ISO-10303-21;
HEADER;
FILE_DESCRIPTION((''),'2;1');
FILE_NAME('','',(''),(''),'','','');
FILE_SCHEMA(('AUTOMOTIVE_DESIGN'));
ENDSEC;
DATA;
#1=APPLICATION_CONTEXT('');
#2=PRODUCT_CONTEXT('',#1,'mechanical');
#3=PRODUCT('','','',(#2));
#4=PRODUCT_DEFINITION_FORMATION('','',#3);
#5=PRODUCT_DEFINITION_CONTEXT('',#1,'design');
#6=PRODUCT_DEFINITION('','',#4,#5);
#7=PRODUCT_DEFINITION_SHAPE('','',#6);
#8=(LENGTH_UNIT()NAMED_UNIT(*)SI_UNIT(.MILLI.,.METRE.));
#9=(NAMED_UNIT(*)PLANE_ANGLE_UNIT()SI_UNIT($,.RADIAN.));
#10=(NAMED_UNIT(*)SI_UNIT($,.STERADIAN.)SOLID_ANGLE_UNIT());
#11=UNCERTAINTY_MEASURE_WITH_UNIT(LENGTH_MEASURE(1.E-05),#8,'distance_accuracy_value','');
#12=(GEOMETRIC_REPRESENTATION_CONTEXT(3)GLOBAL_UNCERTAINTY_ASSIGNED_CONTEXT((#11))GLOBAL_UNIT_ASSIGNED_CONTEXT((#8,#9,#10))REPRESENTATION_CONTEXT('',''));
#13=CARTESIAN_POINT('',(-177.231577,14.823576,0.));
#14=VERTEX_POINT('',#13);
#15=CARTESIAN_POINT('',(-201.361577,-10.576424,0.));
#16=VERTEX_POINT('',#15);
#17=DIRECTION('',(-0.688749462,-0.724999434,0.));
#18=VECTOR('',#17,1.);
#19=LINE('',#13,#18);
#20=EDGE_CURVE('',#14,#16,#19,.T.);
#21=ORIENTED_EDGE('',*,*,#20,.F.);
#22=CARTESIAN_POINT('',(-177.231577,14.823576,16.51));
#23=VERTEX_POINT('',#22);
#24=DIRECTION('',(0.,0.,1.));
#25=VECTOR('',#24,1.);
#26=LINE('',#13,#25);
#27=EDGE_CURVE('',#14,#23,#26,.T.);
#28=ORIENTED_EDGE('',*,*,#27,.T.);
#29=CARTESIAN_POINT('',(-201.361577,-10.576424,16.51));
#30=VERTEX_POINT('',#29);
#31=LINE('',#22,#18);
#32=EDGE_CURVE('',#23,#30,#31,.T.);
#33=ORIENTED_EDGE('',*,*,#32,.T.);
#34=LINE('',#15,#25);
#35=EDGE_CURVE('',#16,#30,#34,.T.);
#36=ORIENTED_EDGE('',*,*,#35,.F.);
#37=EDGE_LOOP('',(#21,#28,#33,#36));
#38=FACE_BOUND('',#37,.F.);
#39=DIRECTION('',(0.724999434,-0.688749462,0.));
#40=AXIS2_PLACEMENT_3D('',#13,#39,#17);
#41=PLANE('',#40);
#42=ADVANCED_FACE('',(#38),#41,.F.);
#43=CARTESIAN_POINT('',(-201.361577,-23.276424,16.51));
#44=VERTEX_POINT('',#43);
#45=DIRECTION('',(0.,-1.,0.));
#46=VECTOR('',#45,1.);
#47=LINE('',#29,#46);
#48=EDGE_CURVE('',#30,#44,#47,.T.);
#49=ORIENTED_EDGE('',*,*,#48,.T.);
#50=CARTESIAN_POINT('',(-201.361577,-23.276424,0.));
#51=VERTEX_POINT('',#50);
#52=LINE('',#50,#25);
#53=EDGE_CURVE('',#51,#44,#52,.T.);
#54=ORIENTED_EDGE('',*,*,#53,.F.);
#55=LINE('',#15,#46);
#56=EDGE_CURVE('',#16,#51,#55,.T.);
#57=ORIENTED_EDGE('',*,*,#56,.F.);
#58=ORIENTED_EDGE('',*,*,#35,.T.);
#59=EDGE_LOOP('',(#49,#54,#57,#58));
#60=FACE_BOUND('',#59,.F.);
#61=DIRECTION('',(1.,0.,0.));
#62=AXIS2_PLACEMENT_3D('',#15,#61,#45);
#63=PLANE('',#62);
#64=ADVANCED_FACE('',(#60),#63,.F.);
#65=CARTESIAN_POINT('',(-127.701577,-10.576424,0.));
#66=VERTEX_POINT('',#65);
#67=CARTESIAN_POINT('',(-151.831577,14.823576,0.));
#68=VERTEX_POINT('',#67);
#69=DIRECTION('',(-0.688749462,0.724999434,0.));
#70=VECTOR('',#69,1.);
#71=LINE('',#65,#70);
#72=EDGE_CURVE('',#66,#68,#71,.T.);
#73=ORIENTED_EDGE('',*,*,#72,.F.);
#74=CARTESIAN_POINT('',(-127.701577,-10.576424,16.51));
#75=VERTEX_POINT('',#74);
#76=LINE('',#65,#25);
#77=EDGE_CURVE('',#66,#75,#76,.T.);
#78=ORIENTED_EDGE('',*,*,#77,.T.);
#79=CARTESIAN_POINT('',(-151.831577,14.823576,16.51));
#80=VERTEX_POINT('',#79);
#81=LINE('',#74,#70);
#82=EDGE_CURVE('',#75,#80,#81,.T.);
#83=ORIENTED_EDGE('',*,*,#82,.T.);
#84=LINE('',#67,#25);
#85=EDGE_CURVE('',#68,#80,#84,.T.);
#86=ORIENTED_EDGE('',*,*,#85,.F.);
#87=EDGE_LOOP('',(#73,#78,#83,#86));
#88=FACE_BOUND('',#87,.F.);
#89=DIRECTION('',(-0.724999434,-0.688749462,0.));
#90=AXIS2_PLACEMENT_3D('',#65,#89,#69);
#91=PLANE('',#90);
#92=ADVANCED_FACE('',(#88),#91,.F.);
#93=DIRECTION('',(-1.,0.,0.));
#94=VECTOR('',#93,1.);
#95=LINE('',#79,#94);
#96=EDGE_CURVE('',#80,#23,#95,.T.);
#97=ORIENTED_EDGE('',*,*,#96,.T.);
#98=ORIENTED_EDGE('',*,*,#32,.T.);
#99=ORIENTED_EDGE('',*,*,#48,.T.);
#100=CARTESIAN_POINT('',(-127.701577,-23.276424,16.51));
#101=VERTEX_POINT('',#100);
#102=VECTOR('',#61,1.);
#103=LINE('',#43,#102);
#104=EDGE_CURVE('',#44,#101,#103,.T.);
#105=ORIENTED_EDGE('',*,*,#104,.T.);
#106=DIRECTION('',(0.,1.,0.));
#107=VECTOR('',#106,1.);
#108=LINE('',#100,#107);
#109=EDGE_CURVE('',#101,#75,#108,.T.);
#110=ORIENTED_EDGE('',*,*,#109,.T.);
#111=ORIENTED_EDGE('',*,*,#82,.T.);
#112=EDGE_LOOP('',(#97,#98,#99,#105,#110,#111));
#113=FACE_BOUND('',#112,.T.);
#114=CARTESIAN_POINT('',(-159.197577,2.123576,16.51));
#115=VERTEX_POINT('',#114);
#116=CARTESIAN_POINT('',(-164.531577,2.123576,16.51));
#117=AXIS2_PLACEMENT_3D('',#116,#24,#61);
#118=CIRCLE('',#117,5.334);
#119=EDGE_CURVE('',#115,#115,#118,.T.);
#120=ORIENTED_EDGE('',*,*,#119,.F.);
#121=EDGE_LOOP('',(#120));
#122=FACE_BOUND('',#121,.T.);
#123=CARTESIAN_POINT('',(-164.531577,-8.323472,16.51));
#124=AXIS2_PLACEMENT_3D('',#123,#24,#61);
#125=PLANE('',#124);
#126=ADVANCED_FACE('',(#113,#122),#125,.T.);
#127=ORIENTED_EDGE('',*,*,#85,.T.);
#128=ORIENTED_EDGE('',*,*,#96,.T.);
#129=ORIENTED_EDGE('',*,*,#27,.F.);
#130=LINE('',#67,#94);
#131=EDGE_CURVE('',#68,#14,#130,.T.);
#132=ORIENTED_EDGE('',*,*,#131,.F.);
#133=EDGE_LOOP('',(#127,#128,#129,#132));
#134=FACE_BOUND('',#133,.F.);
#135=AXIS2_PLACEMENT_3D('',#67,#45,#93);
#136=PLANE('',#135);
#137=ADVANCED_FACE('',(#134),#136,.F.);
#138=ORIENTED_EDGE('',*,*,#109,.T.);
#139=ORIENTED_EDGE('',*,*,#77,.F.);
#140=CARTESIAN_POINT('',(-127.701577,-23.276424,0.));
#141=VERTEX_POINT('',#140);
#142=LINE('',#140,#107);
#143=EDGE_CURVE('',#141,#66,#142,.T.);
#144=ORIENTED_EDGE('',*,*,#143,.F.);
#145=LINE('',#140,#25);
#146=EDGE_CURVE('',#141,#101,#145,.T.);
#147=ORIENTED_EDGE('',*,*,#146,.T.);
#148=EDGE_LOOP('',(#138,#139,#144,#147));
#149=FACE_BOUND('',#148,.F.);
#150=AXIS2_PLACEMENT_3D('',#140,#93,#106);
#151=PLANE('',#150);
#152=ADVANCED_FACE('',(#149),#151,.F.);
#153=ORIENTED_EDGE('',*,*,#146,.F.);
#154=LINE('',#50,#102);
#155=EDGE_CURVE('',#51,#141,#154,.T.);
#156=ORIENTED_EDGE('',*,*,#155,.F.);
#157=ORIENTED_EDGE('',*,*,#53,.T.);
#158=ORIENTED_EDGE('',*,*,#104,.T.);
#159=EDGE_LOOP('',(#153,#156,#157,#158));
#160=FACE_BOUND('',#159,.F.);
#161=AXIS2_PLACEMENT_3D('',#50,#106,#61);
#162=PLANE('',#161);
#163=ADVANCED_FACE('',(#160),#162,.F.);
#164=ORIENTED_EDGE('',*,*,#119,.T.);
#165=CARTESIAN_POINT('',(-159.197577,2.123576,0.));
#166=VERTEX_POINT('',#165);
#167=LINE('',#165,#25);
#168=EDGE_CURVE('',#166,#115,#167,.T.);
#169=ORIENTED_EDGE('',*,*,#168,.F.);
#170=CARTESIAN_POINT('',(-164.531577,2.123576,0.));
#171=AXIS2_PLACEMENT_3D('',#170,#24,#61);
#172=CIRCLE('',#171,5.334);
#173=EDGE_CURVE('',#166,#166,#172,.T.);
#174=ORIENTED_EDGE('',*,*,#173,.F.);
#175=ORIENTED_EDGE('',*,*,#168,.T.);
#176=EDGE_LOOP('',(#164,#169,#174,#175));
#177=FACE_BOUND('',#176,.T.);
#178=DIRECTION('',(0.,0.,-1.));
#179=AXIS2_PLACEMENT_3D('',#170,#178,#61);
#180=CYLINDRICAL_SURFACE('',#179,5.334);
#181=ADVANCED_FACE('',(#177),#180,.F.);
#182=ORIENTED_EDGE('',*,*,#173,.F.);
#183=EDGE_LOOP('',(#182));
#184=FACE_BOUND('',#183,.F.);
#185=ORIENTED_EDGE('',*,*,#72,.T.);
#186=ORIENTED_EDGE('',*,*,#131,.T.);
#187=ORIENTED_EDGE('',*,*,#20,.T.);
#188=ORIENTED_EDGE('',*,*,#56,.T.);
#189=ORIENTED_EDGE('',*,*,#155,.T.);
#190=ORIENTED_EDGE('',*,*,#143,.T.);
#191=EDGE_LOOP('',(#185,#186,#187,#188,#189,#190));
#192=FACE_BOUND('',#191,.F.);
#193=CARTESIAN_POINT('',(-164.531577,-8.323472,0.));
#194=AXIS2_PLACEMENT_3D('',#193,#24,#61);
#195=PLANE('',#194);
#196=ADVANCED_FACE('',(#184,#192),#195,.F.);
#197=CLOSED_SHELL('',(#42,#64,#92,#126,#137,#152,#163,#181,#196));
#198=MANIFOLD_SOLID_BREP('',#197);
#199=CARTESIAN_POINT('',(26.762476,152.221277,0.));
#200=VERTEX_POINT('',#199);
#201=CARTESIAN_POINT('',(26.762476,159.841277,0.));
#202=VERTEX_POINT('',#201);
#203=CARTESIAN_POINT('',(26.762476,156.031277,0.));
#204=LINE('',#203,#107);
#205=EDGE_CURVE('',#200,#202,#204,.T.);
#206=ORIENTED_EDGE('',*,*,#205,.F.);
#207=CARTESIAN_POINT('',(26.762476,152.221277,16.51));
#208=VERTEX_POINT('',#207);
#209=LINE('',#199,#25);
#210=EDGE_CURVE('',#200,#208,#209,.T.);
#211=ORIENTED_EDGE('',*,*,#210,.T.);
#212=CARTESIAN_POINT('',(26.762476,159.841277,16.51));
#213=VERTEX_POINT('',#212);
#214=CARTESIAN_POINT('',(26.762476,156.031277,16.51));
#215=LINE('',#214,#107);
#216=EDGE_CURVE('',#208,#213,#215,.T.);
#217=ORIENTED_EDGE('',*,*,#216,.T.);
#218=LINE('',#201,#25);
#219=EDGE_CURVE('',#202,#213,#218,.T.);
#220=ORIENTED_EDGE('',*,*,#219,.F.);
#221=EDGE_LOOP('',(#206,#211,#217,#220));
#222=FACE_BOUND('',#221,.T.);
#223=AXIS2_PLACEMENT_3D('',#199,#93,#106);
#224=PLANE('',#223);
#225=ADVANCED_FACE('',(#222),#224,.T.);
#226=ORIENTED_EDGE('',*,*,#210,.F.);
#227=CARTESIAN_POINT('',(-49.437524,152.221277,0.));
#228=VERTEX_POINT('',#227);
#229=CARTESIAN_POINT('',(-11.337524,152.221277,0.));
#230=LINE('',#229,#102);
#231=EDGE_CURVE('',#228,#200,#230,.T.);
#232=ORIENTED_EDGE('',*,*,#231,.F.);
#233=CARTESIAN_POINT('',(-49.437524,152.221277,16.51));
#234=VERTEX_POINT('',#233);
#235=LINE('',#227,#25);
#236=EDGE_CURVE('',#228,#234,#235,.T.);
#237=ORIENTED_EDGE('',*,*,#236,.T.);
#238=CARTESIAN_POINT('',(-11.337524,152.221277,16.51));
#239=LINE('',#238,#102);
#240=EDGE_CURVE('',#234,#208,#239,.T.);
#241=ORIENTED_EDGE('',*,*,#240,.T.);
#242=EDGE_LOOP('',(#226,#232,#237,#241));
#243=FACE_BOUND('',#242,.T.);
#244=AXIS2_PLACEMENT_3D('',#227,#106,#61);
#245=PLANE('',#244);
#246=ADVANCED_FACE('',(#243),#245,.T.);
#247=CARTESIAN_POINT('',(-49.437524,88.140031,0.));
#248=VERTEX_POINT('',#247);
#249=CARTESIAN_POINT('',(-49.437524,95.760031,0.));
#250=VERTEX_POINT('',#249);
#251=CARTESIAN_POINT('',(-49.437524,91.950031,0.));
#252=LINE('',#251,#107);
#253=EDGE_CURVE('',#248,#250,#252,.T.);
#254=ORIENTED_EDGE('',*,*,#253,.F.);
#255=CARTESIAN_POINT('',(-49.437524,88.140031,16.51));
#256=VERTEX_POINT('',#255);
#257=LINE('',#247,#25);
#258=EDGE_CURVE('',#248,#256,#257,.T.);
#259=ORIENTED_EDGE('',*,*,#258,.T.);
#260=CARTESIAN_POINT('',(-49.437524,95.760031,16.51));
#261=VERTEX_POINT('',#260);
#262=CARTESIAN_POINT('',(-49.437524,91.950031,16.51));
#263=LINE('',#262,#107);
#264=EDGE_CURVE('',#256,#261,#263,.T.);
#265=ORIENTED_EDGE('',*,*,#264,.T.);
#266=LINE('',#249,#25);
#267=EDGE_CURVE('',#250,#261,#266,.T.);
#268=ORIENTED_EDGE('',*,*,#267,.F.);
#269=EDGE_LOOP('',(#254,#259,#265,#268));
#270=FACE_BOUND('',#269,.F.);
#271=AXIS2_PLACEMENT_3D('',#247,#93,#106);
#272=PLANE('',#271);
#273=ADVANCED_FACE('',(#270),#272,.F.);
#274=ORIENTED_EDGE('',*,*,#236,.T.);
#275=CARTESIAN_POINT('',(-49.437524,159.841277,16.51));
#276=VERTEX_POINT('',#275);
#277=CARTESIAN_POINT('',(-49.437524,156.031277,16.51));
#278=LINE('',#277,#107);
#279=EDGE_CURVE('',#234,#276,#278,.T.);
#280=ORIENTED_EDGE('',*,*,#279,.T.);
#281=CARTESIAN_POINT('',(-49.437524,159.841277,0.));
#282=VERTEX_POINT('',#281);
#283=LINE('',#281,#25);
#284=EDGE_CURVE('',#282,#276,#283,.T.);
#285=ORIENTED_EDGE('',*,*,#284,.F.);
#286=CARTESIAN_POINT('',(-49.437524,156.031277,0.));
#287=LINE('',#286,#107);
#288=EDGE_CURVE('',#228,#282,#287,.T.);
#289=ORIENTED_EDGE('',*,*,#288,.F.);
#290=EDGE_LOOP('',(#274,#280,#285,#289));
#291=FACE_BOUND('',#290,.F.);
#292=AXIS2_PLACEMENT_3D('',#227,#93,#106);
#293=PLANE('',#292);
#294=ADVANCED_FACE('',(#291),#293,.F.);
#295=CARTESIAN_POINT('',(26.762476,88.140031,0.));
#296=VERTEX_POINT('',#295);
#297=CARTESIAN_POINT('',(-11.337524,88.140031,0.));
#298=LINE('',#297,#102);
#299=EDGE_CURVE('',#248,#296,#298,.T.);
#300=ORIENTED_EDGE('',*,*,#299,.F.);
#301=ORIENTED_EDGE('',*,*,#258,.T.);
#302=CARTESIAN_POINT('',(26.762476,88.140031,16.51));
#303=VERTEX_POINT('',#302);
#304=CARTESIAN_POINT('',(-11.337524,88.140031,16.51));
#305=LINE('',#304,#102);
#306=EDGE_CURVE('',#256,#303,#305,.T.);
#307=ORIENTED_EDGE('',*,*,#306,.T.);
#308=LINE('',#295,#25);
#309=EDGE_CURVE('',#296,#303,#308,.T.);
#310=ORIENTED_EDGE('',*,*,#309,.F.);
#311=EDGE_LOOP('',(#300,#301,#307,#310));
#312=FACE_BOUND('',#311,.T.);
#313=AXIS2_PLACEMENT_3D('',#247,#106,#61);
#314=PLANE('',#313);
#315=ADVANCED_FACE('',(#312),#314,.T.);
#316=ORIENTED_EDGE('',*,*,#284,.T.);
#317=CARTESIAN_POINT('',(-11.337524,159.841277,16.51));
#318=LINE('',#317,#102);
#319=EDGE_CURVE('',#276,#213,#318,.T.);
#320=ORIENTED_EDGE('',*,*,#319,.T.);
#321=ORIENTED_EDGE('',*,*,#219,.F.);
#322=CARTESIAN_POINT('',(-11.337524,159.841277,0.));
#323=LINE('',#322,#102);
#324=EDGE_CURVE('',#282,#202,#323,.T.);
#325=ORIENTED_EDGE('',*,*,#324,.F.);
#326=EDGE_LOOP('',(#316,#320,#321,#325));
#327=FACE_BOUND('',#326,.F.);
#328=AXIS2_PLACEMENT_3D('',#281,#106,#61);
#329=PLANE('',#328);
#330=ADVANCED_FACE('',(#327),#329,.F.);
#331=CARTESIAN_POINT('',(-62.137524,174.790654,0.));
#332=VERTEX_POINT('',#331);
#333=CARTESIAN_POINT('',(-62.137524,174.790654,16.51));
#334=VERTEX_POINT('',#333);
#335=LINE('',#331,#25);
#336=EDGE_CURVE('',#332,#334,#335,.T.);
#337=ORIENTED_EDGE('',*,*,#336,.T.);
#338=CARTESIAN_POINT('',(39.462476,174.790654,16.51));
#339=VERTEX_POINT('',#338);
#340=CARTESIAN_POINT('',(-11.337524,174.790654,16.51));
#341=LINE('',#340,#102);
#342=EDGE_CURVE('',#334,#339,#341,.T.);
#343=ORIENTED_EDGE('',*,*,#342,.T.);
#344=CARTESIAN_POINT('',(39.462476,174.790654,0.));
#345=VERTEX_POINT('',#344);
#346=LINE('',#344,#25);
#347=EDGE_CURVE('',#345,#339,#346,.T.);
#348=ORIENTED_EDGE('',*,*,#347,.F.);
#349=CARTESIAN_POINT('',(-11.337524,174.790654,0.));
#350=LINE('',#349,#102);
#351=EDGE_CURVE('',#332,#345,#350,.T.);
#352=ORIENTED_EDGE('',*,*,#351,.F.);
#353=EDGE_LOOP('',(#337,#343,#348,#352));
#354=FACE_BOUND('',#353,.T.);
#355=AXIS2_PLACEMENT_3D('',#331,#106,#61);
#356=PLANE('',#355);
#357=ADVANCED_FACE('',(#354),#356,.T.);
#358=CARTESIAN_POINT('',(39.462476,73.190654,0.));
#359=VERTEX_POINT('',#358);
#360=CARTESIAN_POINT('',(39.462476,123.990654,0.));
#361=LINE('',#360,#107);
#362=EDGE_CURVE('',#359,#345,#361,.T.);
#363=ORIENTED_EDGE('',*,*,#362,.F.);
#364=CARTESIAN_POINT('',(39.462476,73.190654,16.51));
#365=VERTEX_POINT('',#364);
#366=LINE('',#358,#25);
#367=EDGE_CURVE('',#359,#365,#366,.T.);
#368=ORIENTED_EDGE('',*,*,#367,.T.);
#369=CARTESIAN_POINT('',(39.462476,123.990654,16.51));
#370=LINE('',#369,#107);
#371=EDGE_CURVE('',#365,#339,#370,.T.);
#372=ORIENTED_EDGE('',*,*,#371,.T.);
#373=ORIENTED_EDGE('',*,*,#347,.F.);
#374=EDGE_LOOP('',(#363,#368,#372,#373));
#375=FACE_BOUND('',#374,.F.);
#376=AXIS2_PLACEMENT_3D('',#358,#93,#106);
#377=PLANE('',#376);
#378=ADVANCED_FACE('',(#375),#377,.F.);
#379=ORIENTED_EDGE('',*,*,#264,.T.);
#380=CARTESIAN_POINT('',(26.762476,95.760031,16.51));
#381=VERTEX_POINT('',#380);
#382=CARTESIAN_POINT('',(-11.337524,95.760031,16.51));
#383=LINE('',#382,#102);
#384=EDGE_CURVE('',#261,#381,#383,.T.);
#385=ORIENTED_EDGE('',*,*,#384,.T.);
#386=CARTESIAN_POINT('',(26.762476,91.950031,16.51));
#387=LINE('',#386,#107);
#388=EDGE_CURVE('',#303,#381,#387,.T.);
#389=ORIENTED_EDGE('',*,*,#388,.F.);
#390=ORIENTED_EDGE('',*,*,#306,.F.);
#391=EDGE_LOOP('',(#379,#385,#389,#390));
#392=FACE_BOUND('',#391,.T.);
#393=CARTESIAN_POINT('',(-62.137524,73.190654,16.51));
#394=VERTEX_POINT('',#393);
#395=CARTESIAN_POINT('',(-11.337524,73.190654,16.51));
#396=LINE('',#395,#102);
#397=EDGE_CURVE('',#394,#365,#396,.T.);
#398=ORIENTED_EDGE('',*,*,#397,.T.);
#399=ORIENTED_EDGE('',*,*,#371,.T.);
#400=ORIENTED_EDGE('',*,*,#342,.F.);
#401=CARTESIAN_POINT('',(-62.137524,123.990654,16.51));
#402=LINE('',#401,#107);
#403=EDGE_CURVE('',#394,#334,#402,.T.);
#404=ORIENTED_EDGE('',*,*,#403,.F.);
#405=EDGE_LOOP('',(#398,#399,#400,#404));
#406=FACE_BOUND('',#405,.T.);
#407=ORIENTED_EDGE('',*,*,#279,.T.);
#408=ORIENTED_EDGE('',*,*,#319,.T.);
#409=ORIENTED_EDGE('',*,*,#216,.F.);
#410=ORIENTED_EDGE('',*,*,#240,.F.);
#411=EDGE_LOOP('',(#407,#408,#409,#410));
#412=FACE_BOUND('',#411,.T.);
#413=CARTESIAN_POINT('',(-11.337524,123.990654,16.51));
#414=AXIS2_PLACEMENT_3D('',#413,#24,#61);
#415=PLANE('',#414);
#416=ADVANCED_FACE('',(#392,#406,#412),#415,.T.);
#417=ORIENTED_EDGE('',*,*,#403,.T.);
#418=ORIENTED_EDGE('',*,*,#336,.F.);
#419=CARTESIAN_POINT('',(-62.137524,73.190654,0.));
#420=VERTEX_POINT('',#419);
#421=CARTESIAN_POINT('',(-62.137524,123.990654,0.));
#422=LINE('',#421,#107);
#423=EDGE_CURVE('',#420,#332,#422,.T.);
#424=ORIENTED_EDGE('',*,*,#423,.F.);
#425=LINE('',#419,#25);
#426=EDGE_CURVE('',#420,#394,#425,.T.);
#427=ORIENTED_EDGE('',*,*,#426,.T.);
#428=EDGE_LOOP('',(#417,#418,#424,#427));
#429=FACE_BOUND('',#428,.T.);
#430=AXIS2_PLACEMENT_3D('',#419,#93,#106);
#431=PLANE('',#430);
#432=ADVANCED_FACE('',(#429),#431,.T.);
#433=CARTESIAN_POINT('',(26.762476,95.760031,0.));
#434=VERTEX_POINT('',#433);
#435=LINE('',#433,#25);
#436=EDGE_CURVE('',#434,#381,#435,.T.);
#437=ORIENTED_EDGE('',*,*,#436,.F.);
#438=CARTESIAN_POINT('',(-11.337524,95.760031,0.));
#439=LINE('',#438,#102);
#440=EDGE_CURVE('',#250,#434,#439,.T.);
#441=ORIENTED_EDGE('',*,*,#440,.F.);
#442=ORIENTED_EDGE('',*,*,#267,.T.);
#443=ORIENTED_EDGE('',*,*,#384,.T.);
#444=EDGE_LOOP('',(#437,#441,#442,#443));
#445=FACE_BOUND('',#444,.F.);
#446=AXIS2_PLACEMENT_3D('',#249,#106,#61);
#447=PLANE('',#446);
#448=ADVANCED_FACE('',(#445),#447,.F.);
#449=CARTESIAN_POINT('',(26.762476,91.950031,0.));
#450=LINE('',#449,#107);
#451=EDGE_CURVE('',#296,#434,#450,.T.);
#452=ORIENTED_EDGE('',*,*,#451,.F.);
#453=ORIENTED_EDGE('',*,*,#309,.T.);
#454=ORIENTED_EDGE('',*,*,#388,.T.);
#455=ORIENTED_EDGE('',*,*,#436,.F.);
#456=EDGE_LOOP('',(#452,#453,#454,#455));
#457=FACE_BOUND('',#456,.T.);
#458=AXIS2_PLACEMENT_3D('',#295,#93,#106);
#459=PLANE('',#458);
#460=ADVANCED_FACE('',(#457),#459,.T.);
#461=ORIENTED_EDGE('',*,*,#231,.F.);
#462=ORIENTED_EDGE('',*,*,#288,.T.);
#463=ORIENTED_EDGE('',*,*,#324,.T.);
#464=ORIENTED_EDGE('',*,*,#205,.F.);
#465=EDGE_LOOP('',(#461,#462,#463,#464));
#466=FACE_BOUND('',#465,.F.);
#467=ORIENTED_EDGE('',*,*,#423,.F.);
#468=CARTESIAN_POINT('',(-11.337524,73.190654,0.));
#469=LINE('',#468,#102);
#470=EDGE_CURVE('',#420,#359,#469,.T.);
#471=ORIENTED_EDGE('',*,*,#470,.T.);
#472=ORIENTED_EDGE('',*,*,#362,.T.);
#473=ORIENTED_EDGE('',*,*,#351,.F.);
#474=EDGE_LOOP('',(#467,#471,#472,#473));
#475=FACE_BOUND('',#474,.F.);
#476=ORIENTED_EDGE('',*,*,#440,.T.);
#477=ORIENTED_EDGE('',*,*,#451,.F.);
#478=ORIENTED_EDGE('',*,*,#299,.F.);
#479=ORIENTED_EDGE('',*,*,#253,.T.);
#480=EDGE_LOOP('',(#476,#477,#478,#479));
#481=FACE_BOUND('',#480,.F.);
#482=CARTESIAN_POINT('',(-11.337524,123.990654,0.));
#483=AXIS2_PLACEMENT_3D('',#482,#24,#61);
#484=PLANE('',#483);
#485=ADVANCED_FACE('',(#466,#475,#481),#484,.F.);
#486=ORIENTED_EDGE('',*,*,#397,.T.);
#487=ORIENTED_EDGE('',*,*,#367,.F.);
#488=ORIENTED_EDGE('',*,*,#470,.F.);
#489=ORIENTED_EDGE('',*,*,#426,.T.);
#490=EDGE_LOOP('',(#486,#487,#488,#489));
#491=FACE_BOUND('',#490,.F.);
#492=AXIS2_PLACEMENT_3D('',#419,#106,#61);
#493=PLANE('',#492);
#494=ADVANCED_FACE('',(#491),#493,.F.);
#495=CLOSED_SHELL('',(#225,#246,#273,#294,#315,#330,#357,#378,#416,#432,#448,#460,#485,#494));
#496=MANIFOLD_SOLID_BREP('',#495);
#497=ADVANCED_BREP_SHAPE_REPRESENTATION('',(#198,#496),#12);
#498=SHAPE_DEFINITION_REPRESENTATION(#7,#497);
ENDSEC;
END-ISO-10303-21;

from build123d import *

# Parameters (mm, degrees)
F0_W     = 101.6
F0_H     = 101.6
F0_W_2   = 76.2
F0_H_2   = 7.62
F1_DEPTH = 16.51
F2_R     = 5.334
F3_DEPTH = 16.51


with BuildPart() as f1:
    # F0 (on Top) → F1 (new body)
    with BuildSketch(Plane.XY):
        with Locations((-11.337524, 123.990654)):
            Rectangle(F0_W, F0_H)
        with Locations((-11.337524, 91.950031)):
            Rectangle(F0_W_2, F0_H_2, mode=Mode.SUBTRACT)
        with Locations((-11.337524, 156.031277)):
            Rectangle(F0_W_2, F0_H_2, mode=Mode.SUBTRACT)
    extrude(amount=F1_DEPTH)


with BuildPart() as f3:
    # F2 (on Top) → F3 (new body)
    with BuildSketch(Plane.XY):
        Polygon((-201.361577, -10.576424), (-201.361577, -23.276424), (-127.701577, -23.276424), (-127.701577, -10.576424), (-151.831577, 14.823576), (-164.531577, 14.823576), (-177.231577, 14.823576), align=None)
        with Locations((-164.531577, 2.123576)):
            Circle(F2_R, mode=Mode.SUBTRACT)
    extrude(amount=F3_DEPTH)


solid = Compound([f1.part, f3.part])
